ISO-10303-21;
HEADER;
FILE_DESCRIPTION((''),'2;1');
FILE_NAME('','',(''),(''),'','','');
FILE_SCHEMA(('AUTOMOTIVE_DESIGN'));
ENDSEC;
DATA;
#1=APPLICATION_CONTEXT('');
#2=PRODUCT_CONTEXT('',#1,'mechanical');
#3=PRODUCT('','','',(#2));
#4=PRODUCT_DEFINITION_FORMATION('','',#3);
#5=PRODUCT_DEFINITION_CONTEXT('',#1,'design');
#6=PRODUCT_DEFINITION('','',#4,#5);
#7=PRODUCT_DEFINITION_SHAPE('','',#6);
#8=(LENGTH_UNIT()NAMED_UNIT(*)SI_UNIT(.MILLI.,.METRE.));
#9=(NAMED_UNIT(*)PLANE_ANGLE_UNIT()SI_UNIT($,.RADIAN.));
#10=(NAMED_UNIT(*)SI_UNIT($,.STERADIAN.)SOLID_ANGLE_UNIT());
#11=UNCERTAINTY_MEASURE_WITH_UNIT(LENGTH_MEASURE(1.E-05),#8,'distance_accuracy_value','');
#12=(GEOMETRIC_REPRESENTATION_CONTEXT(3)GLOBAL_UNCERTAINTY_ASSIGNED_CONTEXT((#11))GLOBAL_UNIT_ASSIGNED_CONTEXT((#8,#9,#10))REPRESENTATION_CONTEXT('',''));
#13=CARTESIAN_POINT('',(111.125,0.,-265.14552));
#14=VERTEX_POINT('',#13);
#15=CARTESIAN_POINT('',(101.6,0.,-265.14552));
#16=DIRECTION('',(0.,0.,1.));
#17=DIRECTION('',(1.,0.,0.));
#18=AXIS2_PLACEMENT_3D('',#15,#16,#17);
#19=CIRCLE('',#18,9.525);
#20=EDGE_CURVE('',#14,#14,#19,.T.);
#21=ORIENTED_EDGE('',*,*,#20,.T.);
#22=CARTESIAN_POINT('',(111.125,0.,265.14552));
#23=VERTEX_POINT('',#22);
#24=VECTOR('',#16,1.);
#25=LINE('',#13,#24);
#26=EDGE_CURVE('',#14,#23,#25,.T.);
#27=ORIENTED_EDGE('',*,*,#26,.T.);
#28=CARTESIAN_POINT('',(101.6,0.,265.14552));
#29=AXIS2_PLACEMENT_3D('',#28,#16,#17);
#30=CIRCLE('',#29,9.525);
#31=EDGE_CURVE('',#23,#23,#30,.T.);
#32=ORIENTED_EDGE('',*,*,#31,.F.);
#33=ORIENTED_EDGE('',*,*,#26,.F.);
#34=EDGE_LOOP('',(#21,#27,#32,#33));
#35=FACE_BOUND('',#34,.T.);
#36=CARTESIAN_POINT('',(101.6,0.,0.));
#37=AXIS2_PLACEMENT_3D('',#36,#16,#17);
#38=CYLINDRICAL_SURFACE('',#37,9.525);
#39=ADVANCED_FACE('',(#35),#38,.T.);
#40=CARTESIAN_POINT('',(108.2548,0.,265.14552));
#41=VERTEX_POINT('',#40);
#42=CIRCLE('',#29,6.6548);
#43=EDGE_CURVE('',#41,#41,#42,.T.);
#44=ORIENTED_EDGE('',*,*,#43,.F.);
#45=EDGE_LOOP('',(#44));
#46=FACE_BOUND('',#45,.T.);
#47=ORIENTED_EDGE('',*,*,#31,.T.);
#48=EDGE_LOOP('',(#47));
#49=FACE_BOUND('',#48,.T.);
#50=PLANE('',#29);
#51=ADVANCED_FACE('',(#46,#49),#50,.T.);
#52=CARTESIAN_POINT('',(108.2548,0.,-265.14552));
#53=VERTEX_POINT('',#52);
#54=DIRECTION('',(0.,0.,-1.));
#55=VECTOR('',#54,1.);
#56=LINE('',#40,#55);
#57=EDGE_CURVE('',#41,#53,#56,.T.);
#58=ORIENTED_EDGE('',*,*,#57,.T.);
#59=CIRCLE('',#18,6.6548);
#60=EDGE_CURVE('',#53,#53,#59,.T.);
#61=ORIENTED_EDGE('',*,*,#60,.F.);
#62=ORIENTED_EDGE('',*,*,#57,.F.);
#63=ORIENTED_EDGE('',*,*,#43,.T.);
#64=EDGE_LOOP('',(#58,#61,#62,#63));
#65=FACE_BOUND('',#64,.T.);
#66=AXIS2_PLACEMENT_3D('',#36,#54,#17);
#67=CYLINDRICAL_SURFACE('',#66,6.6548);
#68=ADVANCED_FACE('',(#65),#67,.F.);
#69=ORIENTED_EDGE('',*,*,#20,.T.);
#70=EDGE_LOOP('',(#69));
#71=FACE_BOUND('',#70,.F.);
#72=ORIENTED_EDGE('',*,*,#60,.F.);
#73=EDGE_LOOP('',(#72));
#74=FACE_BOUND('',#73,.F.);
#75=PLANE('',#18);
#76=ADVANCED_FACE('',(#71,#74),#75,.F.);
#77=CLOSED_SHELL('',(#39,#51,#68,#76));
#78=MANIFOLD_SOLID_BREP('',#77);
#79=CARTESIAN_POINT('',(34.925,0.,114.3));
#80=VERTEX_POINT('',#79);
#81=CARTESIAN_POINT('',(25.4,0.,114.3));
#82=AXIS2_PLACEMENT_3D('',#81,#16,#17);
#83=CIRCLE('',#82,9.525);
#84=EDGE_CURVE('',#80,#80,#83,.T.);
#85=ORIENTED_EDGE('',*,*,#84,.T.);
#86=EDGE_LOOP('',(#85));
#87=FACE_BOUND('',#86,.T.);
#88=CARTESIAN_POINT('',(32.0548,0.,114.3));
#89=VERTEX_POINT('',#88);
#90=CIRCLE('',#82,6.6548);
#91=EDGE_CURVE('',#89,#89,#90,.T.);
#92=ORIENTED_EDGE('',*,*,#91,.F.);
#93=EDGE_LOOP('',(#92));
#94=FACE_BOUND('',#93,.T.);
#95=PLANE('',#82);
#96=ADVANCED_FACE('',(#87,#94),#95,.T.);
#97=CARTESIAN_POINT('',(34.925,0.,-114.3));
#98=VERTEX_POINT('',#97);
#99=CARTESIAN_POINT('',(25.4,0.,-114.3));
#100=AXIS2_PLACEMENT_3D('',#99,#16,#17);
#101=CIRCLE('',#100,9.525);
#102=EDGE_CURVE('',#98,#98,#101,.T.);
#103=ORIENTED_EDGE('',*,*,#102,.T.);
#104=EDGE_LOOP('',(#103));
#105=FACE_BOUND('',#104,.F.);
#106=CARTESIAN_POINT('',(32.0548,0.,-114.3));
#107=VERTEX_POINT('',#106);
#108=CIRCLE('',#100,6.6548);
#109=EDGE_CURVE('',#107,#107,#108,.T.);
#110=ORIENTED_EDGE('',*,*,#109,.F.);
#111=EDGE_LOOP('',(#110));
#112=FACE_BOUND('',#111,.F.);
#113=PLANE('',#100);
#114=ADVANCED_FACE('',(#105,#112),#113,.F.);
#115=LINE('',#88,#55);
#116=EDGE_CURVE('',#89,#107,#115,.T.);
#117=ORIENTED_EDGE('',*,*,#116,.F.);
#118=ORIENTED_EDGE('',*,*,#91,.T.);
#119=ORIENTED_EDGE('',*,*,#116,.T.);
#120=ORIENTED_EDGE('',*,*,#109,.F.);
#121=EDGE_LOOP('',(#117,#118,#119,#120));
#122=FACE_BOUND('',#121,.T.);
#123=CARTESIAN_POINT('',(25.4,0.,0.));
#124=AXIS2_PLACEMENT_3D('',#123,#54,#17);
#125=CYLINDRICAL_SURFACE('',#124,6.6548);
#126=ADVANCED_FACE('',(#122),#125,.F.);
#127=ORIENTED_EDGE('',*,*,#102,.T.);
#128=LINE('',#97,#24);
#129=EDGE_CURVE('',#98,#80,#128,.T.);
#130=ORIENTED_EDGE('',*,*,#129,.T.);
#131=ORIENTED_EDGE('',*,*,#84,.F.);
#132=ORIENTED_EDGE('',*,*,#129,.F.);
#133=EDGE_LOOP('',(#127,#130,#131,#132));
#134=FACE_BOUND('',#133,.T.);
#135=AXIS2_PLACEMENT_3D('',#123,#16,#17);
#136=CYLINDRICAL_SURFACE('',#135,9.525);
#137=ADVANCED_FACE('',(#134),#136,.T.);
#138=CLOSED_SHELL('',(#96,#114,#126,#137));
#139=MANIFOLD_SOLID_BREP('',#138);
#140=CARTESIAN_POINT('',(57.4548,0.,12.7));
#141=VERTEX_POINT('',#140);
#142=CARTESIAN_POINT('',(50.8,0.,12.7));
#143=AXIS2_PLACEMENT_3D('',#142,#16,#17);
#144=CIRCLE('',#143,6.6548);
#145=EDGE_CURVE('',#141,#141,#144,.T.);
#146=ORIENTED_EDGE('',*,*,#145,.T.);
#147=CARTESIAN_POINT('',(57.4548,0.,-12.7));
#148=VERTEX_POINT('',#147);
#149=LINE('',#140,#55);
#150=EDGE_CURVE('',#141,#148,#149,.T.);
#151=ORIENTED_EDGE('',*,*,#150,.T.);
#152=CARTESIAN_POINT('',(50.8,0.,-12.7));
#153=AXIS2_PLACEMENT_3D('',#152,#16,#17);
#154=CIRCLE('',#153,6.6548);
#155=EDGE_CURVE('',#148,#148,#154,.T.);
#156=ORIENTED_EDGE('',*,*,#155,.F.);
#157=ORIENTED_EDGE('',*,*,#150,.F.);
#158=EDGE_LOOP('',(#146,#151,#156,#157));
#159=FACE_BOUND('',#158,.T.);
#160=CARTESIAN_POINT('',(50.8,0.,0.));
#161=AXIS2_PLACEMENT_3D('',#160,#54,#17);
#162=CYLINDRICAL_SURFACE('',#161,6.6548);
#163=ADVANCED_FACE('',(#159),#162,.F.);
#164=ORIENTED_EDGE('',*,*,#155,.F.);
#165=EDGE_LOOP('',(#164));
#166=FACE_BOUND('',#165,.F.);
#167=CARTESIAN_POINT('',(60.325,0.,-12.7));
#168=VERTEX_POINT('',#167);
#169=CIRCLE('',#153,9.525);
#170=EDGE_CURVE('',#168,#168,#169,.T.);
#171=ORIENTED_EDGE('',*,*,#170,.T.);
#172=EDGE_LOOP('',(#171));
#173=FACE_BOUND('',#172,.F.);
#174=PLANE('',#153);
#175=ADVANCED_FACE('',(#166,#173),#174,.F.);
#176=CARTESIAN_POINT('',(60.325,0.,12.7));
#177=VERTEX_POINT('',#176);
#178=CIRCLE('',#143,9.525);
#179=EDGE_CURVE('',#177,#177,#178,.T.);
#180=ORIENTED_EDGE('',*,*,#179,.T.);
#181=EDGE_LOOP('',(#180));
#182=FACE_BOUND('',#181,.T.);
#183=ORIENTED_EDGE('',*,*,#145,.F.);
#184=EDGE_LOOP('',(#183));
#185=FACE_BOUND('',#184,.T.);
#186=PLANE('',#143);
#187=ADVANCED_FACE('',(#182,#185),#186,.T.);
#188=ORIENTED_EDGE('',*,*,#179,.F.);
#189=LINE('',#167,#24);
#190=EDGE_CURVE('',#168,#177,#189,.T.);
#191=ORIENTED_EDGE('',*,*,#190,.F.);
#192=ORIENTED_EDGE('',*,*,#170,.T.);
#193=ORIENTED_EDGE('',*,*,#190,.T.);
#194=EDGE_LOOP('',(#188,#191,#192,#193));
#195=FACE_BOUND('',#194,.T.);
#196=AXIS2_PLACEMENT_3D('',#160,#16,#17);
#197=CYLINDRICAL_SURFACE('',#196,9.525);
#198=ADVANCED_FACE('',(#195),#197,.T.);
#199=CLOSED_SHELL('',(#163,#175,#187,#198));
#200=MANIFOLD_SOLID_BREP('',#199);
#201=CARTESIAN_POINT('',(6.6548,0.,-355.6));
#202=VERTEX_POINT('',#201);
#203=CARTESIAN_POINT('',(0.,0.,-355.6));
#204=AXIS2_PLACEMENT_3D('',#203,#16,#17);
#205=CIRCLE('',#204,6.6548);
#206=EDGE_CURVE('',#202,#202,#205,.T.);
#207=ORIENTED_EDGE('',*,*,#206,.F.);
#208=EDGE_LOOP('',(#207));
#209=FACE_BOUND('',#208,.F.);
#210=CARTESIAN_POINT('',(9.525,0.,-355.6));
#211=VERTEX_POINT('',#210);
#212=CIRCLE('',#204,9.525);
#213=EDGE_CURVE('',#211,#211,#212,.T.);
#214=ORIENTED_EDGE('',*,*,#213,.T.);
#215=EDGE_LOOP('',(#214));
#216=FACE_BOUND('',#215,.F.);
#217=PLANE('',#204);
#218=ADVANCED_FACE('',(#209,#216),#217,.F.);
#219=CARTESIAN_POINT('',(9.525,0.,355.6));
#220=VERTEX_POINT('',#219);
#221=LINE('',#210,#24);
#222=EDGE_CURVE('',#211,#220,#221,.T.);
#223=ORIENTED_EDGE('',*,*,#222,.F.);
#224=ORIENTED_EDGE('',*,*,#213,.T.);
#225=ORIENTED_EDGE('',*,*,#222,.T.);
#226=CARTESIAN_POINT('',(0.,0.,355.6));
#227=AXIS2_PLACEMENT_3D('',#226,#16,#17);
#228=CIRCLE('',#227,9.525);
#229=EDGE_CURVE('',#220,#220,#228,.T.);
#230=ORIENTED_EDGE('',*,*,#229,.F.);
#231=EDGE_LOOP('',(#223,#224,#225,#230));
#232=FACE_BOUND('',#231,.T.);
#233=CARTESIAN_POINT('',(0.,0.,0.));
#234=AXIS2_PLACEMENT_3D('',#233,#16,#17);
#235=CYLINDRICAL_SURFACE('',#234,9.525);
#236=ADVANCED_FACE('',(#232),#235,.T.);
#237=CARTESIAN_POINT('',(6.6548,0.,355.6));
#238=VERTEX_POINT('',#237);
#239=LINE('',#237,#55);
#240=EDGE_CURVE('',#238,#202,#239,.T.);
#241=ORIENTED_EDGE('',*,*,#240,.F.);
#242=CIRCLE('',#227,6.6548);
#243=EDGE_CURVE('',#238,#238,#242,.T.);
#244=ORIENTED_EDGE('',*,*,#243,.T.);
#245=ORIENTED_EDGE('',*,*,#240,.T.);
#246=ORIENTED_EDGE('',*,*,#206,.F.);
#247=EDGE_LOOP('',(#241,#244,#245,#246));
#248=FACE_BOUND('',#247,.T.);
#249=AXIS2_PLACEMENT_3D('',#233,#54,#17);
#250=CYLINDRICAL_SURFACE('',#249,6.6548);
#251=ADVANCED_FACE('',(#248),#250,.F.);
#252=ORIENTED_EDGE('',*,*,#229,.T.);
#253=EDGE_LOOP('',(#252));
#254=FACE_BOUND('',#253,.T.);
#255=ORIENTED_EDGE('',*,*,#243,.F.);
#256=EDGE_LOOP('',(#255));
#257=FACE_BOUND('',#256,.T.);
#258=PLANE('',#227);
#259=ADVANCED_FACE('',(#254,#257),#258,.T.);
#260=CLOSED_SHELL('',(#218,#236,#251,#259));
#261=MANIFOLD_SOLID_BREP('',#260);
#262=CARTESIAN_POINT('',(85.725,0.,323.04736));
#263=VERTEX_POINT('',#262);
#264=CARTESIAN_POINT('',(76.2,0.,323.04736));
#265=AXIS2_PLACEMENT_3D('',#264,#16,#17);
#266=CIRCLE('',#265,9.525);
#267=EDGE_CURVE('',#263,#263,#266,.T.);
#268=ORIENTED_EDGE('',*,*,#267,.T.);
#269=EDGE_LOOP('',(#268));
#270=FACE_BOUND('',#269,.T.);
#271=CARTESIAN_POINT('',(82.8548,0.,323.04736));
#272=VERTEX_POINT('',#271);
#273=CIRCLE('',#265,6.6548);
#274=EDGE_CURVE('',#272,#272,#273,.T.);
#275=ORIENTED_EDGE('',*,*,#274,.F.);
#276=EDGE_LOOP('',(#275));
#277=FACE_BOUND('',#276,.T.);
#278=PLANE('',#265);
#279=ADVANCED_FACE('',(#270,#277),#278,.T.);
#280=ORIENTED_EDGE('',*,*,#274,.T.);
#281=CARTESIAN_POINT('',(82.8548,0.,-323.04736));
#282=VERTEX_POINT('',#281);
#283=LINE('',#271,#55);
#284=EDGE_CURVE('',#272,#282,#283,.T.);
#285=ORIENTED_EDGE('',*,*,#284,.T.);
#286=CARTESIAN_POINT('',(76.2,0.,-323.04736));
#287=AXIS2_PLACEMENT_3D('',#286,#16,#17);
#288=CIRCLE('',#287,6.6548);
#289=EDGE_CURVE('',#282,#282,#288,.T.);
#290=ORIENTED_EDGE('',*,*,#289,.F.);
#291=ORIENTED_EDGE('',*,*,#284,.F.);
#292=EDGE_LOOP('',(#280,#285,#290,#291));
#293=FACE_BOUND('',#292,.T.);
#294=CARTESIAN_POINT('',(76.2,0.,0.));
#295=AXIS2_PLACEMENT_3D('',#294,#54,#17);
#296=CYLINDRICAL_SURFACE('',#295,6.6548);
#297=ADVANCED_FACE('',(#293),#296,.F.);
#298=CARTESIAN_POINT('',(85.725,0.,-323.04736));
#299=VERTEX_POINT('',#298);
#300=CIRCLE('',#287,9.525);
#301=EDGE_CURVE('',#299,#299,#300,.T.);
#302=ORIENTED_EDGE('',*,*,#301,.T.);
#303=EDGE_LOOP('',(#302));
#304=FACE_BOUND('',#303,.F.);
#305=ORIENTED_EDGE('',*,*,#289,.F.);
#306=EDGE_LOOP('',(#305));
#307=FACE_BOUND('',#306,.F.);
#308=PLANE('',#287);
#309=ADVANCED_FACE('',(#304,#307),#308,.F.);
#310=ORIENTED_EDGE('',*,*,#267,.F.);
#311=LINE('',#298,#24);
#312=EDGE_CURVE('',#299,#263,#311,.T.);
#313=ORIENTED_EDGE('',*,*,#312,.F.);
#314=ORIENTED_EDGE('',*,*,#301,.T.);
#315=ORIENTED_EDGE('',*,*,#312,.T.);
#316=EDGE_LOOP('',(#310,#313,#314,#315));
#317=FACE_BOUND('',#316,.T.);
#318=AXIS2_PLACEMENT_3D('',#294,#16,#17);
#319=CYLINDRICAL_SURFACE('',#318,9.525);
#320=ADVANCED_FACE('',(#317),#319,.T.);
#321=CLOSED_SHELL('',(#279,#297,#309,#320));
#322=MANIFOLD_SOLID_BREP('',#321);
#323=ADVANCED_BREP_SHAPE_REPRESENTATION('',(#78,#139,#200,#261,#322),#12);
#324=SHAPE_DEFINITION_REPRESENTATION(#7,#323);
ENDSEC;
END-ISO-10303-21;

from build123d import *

# Parameters (mm, degrees)
F0_R     = 9.525
F0_R_2   = 6.6548
F1_DEPTH = 355.6
F2_R     = 9.525
F2_R_2   = 6.6548
F3_DEPTH = 114.3
F4_R     = 9.525
F4_R_2   = 6.6548
F5_DEPTH = 12.7
F6_R     = 9.525
F6_R_2   = 6.6548
F7_DEPTH = 323.04736
F8_R     = 9.525
F8_R_2   = 6.6548
F9_DEPTH = 265.14552


with BuildPart() as f1:
    # F0 (on Top) → F1 (new body, symmetric)
    with BuildSketch(Plane.XY):
        Circle(F0_R)
        Circle(F0_R_2, mode=Mode.SUBTRACT)
    extrude(amount=F1_DEPTH, both=True)


with BuildPart() as f3:
    # F2 (on Top) → F3 (new body, symmetric)
    with BuildSketch(Plane.XY):
        with Locations((25.4, 0)):
            Circle(F2_R)
        with Locations((25.4, 0)):
            Circle(F2_R_2, mode=Mode.SUBTRACT)
    extrude(amount=F3_DEPTH, both=True)


with BuildPart() as f5:
    # F4 (on Top) → F5 (new body, symmetric)
    with BuildSketch(Plane.XY):
        with Locations((50.8, 0)):
            Circle(F4_R)
        with Locations((50.8, 0)):
            Circle(F4_R_2, mode=Mode.SUBTRACT)
    extrude(amount=F5_DEPTH, both=True)


with BuildPart() as f7:
    # F6 (on Top) → F7 (new body, symmetric)
    with BuildSketch(Plane.XY):
        with Locations((76.2, 0)):
            Circle(F6_R)
        with Locations((76.2, 0)):
            Circle(F6_R_2, mode=Mode.SUBTRACT)
    extrude(amount=F7_DEPTH, both=True)


with BuildPart() as f9:
    # F8 (on Top) → F9 (new body, symmetric)
    with BuildSketch(Plane.XY):
        with Locations((101.6, 0)):
            Circle(F8_R)
        with Locations((101.6, 0)):
            Circle(F8_R_2, mode=Mode.SUBTRACT)
    extrude(amount=F9_DEPTH, both=True)


solid = Compound([f1.part, f3.part, f5.part, f7.part, f9.part])
